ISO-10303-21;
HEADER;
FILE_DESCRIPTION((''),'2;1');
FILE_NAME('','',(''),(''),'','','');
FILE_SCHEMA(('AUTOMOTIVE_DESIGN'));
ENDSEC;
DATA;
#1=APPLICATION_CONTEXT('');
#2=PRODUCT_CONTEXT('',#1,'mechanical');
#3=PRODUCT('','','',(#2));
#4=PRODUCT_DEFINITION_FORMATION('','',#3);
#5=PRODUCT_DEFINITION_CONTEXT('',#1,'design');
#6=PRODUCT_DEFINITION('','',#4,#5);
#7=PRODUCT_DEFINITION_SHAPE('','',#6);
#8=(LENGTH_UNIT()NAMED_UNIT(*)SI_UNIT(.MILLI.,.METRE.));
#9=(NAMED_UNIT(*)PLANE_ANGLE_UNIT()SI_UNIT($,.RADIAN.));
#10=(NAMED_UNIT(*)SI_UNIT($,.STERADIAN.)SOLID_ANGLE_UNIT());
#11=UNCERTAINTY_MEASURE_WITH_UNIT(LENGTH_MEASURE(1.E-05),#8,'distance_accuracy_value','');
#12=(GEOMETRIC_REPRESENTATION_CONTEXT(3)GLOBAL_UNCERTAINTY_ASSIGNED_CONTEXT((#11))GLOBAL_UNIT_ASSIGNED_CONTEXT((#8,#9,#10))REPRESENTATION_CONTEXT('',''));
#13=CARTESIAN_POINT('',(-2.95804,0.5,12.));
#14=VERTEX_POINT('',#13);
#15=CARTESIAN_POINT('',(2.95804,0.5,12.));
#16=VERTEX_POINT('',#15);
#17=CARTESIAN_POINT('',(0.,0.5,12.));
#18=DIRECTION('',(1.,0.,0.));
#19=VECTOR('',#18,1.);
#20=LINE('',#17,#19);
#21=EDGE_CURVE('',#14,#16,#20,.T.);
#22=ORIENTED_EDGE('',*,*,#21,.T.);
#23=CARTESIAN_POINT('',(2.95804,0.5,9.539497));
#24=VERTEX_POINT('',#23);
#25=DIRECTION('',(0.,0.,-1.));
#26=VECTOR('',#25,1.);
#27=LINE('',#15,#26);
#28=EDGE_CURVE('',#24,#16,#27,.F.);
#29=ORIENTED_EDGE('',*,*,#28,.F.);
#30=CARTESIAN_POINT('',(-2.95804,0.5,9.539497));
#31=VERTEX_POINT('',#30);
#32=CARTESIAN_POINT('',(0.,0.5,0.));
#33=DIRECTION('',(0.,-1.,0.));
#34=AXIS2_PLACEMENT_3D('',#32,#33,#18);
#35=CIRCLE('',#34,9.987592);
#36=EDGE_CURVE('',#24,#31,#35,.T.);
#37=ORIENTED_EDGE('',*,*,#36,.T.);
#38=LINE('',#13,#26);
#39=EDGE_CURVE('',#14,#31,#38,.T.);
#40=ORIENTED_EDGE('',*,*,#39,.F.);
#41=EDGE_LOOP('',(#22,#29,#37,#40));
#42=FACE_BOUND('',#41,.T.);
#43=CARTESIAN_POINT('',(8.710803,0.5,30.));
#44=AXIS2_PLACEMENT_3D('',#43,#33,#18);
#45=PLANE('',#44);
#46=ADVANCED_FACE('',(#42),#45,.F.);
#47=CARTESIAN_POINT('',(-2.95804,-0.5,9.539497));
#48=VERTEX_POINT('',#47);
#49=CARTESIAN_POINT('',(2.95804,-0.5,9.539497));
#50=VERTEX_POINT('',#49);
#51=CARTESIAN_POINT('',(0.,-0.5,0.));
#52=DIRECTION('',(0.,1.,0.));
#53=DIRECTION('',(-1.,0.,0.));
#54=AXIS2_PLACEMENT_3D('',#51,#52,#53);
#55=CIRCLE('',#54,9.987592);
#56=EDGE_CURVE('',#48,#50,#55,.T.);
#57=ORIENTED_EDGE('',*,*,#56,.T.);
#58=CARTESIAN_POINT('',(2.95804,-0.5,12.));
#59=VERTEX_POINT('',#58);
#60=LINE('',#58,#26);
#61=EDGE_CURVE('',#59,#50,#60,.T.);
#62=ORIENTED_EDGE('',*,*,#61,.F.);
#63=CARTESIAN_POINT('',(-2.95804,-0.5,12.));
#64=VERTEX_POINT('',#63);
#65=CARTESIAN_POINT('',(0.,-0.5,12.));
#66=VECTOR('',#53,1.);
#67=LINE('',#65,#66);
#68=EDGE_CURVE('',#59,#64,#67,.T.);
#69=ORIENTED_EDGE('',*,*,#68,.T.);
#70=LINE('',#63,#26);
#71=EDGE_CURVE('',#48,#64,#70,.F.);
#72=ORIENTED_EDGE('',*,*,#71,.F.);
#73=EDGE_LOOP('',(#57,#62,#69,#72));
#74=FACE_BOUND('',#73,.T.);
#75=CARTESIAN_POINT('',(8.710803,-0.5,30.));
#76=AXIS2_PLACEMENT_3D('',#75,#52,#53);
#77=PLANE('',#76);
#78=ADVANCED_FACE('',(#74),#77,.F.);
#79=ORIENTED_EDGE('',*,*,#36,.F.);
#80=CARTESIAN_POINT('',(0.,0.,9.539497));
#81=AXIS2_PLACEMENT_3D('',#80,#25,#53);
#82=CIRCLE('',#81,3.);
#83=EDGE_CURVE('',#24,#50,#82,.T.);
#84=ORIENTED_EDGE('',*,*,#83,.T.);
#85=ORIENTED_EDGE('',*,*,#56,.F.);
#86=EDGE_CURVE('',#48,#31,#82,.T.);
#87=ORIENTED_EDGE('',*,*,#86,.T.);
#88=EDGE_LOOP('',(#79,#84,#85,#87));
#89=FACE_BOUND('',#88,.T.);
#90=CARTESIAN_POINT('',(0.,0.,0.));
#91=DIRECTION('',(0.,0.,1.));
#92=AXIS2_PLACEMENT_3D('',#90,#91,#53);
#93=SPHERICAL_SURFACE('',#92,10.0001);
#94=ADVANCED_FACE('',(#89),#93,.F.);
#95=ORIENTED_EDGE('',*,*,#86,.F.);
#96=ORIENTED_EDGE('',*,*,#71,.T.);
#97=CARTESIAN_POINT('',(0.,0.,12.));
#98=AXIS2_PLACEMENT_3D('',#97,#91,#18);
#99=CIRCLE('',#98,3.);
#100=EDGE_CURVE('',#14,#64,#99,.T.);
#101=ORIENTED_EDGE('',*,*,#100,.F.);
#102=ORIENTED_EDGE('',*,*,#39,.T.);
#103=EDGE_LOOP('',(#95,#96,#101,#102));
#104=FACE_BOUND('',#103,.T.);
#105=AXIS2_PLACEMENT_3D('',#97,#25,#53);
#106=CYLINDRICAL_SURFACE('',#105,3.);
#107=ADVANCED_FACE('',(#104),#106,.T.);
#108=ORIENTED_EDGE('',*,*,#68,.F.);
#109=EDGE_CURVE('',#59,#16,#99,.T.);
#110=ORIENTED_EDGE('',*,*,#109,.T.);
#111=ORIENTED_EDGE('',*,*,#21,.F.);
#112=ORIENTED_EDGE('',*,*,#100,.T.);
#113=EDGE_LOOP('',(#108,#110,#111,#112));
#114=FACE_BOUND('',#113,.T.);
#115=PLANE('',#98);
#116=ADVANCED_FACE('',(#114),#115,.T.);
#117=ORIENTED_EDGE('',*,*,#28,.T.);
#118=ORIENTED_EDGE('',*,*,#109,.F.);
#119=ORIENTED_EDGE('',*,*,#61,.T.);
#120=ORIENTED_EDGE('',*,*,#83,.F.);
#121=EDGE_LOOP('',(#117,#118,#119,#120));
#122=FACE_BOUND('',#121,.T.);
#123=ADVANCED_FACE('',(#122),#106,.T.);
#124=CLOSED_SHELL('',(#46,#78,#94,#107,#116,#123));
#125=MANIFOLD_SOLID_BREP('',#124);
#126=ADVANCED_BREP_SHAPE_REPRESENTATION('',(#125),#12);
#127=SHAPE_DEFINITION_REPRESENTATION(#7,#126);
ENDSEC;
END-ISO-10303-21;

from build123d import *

# Parameters (mm, degrees)
SKETCH1_R               = 3
BOSS_EXTRUDE1_DEPTH     = 12
CUT_EXTRUDE1_DEPTH      = 30
CUT_EXTRUDE1_DEPTH_BACK = 20
SKETCH4_OUTSIDE_W       = 9.766
SKETCH4_OUTSIDE_H       = 9.766
SKETCH4_OUTSIDE_W_2     = 17.421605186
SKETCH4_OUTSIDE_H_2     = 1


with BuildPart() as part:
    # Sketch1 → Boss-Extrude1 (new body)
    with BuildSketch(Plane.XY):
        Circle(SKETCH1_R)
    extrude(amount=BOSS_EXTRUDE1_DEPTH)

    # Sketch3 → Cut-Revolve1 (revolve, cut)
    with BuildSketch(Plane(origin=(0, 0, 0), x_dir=(1, 0, 0), z_dir=(0, 1, 0))):
        with BuildLine():
            Line((0, -10.0001), (0, 10.0001))
            ThreePointArc((0, 10.0001), (-10.0001, 0), (0, -10.0001))
        make_face()
    revolve(axis=Axis((0, 0, 10.0001), (0, 0, -1)), mode=Mode.SUBTRACT)

    # Sketch4 outside → Cut-Extrude1 (cut, two sides: drawn at the far end of the back side and taken through both)
    with BuildSketch(Plane.XY.offset(-CUT_EXTRUDE1_DEPTH_BACK)):
        Rectangle(SKETCH4_OUTSIDE_W, SKETCH4_OUTSIDE_H)
        Rectangle(SKETCH4_OUTSIDE_W_2, SKETCH4_OUTSIDE_H_2, mode=Mode.SUBTRACT)
    extrude(amount=CUT_EXTRUDE1_DEPTH + CUT_EXTRUDE1_DEPTH_BACK, mode=Mode.SUBTRACT)


solid = part.part
